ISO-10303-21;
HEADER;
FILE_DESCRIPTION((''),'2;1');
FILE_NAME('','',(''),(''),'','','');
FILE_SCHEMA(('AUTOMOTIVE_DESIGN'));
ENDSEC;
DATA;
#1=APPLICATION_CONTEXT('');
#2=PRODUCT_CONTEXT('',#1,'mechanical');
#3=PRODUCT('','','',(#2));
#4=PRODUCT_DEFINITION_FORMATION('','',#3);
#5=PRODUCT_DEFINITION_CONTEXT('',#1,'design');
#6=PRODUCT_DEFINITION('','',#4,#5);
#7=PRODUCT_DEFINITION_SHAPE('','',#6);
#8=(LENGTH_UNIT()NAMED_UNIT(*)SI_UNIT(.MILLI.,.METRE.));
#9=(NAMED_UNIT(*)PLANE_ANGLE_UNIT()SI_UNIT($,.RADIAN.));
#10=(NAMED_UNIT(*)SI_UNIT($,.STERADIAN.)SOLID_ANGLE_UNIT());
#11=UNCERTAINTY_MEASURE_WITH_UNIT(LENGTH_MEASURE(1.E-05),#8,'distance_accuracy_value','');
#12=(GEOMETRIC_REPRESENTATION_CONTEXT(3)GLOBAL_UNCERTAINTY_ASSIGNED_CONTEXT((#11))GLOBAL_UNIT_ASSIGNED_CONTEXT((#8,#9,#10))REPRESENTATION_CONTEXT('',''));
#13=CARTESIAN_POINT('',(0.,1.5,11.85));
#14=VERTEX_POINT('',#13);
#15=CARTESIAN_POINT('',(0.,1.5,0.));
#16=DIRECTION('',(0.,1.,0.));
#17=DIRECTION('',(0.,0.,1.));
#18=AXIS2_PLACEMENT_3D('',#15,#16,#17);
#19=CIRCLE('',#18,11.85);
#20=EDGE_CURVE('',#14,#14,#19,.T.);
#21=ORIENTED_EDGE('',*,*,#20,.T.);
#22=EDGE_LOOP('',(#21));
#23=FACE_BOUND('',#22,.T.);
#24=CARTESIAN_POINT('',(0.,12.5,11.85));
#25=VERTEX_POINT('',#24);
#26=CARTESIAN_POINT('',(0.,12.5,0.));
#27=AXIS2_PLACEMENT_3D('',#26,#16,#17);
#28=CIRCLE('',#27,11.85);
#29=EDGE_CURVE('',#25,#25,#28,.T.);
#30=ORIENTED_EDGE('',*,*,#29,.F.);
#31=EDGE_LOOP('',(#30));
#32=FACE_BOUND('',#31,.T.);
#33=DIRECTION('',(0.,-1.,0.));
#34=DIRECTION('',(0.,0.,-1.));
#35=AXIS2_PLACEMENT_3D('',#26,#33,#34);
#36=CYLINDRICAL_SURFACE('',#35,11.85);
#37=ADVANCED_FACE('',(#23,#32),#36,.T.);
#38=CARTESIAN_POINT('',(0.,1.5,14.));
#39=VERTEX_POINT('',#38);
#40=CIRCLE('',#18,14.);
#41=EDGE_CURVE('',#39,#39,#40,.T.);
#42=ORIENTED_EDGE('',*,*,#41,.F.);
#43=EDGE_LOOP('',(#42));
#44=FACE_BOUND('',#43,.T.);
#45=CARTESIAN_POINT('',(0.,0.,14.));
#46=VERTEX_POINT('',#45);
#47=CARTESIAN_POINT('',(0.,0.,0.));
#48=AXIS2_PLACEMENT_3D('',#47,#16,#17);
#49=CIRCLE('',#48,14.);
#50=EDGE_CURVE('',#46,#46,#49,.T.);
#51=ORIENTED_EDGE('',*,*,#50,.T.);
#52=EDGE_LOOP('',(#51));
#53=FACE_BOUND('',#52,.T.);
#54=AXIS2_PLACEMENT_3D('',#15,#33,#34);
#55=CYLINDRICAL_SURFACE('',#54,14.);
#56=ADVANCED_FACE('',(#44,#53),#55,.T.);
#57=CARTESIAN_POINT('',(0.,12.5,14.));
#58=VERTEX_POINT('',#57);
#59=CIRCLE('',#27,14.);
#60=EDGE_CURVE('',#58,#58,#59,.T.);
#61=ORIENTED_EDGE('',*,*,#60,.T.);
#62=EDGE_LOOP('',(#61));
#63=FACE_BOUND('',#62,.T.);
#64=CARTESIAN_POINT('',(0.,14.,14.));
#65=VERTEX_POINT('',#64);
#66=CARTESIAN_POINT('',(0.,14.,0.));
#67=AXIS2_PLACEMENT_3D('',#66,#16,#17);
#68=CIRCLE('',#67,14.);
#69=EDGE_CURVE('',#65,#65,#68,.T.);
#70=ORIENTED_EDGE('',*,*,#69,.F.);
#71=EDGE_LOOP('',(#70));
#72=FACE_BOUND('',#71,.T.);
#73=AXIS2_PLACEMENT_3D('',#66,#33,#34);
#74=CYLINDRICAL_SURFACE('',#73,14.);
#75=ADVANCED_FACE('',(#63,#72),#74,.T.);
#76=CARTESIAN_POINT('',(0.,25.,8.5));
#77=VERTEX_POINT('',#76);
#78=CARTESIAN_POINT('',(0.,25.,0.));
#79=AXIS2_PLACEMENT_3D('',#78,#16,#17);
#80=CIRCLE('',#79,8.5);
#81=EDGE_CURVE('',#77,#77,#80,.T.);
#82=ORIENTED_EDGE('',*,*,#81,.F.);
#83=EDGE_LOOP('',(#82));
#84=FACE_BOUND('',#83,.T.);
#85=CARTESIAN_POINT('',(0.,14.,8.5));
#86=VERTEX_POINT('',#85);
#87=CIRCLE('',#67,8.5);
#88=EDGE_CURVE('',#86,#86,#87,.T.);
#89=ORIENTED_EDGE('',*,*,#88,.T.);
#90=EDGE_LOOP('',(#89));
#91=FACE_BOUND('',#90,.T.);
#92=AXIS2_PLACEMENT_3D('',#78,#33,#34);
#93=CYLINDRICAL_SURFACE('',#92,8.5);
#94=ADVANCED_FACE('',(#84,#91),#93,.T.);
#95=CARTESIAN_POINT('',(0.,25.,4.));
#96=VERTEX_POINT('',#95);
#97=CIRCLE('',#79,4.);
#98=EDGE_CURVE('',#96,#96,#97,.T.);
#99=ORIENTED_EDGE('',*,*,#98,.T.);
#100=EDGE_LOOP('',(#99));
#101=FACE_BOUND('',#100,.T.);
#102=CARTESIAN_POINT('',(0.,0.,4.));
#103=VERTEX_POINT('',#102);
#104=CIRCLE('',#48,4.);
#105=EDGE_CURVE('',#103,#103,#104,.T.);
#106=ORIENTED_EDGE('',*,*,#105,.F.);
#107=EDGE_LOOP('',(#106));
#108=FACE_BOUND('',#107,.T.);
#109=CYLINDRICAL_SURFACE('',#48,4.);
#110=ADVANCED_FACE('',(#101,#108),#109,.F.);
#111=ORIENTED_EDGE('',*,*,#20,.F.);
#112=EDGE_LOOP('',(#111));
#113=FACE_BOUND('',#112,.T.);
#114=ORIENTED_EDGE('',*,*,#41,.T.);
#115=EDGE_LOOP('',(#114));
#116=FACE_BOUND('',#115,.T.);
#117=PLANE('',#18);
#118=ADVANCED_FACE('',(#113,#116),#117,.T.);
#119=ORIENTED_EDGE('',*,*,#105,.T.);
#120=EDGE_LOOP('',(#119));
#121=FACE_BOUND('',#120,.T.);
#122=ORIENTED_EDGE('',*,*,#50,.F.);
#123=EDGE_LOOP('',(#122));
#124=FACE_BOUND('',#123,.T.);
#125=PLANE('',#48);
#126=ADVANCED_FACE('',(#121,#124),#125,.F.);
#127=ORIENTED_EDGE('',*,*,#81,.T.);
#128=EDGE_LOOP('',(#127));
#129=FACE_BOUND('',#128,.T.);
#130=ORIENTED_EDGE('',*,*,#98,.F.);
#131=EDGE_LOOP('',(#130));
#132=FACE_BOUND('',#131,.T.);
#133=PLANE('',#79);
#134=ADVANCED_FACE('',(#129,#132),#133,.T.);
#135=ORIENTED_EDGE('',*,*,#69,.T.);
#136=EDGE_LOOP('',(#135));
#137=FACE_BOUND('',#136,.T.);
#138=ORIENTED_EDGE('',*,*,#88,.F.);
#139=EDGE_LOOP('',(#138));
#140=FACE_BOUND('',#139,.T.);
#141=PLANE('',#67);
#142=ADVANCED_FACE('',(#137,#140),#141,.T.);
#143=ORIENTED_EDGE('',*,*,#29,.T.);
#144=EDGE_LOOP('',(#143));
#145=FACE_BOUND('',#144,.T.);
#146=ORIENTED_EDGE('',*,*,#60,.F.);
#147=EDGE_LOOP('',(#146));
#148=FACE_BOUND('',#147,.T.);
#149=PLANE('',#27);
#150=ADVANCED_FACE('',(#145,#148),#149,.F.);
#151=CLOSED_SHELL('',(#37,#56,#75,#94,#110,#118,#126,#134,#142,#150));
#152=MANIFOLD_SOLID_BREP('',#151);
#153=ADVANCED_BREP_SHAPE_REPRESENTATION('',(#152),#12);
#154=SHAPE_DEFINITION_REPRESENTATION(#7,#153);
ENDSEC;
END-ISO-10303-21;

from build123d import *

# Parameters (mm, degrees)
SKETCH1_R           = 14
BOSS_EXTRUDE1_DEPTH = 1.5
SKETCH2_R           = 11.85
BOSS_EXTRUDE2_DEPTH = 11
SKETCH3_R           = 14
BOSS_EXTRUDE3_DEPTH = 1.5
SKETCH4_R           = 8.5
BOSS_EXTRUDE4_DEPTH = 11
SKETCH5_R           = 4
CUT_EXTRUDE1_DEPTH  = 26


with BuildPart() as part:
    # Sketch1 → Boss-Extrude1 (new body)
    with BuildSketch(Plane(origin=(0, 0, 0), x_dir=(1, 0, 0), z_dir=(0, 1, 0))):
        Circle(SKETCH1_R)
    extrude(amount=BOSS_EXTRUDE1_DEPTH)

    # Sketch2 → Boss-Extrude2 (add)
    with BuildSketch(Plane(origin=(0, 1.5, 0), x_dir=(1, 0, 0), z_dir=(0, 1, 0))):
        Circle(SKETCH2_R)
    extrude(amount=BOSS_EXTRUDE2_DEPTH)

    # Sketch3 → Boss-Extrude3 (add)
    with BuildSketch(Plane(origin=(0, 12.5, 0), x_dir=(1, 0, 0), z_dir=(0, 1, 0))):
        Circle(SKETCH3_R)
    extrude(amount=BOSS_EXTRUDE3_DEPTH)

    # Sketch4 → Boss-Extrude4 (add)
    with BuildSketch(Plane(origin=(0, 14, 0), x_dir=(1, 0, 0), z_dir=(0, 1, 0))):
        Circle(SKETCH4_R)
    extrude(amount=BOSS_EXTRUDE4_DEPTH)

    # Sketch5 → Cut-Extrude1 (cut, through all)
    with BuildSketch(Plane(origin=(0, 25, 0), x_dir=(1, 0, 0), z_dir=(0, 1, 0))):
        Circle(SKETCH5_R)
    extrude(amount=-CUT_EXTRUDE1_DEPTH, mode=Mode.SUBTRACT)


solid = part.part
